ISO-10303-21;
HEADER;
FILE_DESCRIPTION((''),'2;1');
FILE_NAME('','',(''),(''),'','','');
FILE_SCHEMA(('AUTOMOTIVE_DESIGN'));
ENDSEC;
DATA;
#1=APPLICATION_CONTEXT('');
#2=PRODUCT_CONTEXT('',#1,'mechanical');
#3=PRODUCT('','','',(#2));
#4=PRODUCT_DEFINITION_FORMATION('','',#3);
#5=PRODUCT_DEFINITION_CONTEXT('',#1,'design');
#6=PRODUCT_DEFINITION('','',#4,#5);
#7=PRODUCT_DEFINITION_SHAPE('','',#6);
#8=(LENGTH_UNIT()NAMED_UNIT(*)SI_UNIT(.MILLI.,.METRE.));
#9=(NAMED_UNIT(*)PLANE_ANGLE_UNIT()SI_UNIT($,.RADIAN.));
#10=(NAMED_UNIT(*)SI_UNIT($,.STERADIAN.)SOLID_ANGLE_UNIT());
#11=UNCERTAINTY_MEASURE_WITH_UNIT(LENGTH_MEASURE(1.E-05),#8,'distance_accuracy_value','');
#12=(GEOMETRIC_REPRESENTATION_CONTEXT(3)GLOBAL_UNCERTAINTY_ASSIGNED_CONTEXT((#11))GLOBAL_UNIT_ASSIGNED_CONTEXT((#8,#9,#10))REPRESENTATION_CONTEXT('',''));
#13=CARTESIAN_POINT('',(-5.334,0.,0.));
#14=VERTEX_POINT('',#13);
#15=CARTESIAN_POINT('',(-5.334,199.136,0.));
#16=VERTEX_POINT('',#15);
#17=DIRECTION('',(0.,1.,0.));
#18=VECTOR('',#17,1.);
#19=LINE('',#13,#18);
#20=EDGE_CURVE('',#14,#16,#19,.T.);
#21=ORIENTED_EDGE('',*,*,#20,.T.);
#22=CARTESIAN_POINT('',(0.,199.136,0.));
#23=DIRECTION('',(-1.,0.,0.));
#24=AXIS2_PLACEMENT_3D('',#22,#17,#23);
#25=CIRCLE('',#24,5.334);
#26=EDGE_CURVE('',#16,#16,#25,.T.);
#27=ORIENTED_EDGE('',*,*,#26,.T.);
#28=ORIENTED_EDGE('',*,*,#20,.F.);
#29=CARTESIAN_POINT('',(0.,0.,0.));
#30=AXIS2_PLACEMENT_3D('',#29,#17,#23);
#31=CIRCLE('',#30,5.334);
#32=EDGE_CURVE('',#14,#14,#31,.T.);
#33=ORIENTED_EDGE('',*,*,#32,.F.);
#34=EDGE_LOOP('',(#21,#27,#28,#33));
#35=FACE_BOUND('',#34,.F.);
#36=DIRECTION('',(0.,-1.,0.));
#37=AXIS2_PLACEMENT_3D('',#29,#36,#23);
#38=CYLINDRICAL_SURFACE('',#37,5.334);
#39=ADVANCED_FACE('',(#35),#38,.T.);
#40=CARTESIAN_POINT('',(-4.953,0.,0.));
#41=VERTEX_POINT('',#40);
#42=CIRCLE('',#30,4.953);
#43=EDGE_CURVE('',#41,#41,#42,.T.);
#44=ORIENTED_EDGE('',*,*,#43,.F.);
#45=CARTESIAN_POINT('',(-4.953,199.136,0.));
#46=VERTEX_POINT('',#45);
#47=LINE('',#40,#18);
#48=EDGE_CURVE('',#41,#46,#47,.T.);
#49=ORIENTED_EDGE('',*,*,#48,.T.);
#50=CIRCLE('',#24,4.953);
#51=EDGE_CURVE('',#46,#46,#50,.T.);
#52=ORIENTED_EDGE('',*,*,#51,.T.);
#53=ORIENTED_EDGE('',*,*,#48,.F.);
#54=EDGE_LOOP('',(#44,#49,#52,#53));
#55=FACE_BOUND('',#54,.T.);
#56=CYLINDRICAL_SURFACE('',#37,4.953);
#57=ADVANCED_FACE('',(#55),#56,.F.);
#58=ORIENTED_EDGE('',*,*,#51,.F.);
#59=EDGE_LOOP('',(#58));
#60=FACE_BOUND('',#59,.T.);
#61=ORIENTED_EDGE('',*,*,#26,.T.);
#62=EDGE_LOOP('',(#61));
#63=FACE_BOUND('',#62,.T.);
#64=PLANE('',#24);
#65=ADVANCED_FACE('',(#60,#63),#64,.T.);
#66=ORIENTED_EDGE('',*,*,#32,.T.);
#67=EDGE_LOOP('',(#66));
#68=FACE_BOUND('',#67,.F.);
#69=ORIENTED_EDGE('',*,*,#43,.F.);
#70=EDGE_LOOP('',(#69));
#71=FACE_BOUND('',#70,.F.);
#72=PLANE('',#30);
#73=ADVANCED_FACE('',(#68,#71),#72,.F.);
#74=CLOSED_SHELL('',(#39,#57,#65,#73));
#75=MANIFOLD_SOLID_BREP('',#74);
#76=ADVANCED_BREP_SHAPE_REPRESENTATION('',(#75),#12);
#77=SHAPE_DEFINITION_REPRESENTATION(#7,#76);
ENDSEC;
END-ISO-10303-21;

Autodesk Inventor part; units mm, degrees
ref_plane "YZ Plane" through (0, 0, 0) normal (1, 0, 0) x (0, 1, 0)
ref_plane "XZ Plane" through (0, 0, 0) normal (0, 1, 0) x (-1, 0, 0)
ref_plane "XY Plane" through (0, 0, 0) normal (0, 0, 1) x (1, 0, 0)
sketch "Sketch1" plane through (0, 0, 0) normal (0, 1, 0) x (-1, 0, 0)
  circle A0 centre (0, 0) radius 5.334
  circle A1 centre (0, 0) radius 4.953
  dimension "d0" = 10.668
  dimension "d1" = 9.906
extrude "Extrusion1" add sketch "Sketch1" along normal blind 199.136
properties part number "feet type 3 part 2 2k8 length" material "CFRP"
